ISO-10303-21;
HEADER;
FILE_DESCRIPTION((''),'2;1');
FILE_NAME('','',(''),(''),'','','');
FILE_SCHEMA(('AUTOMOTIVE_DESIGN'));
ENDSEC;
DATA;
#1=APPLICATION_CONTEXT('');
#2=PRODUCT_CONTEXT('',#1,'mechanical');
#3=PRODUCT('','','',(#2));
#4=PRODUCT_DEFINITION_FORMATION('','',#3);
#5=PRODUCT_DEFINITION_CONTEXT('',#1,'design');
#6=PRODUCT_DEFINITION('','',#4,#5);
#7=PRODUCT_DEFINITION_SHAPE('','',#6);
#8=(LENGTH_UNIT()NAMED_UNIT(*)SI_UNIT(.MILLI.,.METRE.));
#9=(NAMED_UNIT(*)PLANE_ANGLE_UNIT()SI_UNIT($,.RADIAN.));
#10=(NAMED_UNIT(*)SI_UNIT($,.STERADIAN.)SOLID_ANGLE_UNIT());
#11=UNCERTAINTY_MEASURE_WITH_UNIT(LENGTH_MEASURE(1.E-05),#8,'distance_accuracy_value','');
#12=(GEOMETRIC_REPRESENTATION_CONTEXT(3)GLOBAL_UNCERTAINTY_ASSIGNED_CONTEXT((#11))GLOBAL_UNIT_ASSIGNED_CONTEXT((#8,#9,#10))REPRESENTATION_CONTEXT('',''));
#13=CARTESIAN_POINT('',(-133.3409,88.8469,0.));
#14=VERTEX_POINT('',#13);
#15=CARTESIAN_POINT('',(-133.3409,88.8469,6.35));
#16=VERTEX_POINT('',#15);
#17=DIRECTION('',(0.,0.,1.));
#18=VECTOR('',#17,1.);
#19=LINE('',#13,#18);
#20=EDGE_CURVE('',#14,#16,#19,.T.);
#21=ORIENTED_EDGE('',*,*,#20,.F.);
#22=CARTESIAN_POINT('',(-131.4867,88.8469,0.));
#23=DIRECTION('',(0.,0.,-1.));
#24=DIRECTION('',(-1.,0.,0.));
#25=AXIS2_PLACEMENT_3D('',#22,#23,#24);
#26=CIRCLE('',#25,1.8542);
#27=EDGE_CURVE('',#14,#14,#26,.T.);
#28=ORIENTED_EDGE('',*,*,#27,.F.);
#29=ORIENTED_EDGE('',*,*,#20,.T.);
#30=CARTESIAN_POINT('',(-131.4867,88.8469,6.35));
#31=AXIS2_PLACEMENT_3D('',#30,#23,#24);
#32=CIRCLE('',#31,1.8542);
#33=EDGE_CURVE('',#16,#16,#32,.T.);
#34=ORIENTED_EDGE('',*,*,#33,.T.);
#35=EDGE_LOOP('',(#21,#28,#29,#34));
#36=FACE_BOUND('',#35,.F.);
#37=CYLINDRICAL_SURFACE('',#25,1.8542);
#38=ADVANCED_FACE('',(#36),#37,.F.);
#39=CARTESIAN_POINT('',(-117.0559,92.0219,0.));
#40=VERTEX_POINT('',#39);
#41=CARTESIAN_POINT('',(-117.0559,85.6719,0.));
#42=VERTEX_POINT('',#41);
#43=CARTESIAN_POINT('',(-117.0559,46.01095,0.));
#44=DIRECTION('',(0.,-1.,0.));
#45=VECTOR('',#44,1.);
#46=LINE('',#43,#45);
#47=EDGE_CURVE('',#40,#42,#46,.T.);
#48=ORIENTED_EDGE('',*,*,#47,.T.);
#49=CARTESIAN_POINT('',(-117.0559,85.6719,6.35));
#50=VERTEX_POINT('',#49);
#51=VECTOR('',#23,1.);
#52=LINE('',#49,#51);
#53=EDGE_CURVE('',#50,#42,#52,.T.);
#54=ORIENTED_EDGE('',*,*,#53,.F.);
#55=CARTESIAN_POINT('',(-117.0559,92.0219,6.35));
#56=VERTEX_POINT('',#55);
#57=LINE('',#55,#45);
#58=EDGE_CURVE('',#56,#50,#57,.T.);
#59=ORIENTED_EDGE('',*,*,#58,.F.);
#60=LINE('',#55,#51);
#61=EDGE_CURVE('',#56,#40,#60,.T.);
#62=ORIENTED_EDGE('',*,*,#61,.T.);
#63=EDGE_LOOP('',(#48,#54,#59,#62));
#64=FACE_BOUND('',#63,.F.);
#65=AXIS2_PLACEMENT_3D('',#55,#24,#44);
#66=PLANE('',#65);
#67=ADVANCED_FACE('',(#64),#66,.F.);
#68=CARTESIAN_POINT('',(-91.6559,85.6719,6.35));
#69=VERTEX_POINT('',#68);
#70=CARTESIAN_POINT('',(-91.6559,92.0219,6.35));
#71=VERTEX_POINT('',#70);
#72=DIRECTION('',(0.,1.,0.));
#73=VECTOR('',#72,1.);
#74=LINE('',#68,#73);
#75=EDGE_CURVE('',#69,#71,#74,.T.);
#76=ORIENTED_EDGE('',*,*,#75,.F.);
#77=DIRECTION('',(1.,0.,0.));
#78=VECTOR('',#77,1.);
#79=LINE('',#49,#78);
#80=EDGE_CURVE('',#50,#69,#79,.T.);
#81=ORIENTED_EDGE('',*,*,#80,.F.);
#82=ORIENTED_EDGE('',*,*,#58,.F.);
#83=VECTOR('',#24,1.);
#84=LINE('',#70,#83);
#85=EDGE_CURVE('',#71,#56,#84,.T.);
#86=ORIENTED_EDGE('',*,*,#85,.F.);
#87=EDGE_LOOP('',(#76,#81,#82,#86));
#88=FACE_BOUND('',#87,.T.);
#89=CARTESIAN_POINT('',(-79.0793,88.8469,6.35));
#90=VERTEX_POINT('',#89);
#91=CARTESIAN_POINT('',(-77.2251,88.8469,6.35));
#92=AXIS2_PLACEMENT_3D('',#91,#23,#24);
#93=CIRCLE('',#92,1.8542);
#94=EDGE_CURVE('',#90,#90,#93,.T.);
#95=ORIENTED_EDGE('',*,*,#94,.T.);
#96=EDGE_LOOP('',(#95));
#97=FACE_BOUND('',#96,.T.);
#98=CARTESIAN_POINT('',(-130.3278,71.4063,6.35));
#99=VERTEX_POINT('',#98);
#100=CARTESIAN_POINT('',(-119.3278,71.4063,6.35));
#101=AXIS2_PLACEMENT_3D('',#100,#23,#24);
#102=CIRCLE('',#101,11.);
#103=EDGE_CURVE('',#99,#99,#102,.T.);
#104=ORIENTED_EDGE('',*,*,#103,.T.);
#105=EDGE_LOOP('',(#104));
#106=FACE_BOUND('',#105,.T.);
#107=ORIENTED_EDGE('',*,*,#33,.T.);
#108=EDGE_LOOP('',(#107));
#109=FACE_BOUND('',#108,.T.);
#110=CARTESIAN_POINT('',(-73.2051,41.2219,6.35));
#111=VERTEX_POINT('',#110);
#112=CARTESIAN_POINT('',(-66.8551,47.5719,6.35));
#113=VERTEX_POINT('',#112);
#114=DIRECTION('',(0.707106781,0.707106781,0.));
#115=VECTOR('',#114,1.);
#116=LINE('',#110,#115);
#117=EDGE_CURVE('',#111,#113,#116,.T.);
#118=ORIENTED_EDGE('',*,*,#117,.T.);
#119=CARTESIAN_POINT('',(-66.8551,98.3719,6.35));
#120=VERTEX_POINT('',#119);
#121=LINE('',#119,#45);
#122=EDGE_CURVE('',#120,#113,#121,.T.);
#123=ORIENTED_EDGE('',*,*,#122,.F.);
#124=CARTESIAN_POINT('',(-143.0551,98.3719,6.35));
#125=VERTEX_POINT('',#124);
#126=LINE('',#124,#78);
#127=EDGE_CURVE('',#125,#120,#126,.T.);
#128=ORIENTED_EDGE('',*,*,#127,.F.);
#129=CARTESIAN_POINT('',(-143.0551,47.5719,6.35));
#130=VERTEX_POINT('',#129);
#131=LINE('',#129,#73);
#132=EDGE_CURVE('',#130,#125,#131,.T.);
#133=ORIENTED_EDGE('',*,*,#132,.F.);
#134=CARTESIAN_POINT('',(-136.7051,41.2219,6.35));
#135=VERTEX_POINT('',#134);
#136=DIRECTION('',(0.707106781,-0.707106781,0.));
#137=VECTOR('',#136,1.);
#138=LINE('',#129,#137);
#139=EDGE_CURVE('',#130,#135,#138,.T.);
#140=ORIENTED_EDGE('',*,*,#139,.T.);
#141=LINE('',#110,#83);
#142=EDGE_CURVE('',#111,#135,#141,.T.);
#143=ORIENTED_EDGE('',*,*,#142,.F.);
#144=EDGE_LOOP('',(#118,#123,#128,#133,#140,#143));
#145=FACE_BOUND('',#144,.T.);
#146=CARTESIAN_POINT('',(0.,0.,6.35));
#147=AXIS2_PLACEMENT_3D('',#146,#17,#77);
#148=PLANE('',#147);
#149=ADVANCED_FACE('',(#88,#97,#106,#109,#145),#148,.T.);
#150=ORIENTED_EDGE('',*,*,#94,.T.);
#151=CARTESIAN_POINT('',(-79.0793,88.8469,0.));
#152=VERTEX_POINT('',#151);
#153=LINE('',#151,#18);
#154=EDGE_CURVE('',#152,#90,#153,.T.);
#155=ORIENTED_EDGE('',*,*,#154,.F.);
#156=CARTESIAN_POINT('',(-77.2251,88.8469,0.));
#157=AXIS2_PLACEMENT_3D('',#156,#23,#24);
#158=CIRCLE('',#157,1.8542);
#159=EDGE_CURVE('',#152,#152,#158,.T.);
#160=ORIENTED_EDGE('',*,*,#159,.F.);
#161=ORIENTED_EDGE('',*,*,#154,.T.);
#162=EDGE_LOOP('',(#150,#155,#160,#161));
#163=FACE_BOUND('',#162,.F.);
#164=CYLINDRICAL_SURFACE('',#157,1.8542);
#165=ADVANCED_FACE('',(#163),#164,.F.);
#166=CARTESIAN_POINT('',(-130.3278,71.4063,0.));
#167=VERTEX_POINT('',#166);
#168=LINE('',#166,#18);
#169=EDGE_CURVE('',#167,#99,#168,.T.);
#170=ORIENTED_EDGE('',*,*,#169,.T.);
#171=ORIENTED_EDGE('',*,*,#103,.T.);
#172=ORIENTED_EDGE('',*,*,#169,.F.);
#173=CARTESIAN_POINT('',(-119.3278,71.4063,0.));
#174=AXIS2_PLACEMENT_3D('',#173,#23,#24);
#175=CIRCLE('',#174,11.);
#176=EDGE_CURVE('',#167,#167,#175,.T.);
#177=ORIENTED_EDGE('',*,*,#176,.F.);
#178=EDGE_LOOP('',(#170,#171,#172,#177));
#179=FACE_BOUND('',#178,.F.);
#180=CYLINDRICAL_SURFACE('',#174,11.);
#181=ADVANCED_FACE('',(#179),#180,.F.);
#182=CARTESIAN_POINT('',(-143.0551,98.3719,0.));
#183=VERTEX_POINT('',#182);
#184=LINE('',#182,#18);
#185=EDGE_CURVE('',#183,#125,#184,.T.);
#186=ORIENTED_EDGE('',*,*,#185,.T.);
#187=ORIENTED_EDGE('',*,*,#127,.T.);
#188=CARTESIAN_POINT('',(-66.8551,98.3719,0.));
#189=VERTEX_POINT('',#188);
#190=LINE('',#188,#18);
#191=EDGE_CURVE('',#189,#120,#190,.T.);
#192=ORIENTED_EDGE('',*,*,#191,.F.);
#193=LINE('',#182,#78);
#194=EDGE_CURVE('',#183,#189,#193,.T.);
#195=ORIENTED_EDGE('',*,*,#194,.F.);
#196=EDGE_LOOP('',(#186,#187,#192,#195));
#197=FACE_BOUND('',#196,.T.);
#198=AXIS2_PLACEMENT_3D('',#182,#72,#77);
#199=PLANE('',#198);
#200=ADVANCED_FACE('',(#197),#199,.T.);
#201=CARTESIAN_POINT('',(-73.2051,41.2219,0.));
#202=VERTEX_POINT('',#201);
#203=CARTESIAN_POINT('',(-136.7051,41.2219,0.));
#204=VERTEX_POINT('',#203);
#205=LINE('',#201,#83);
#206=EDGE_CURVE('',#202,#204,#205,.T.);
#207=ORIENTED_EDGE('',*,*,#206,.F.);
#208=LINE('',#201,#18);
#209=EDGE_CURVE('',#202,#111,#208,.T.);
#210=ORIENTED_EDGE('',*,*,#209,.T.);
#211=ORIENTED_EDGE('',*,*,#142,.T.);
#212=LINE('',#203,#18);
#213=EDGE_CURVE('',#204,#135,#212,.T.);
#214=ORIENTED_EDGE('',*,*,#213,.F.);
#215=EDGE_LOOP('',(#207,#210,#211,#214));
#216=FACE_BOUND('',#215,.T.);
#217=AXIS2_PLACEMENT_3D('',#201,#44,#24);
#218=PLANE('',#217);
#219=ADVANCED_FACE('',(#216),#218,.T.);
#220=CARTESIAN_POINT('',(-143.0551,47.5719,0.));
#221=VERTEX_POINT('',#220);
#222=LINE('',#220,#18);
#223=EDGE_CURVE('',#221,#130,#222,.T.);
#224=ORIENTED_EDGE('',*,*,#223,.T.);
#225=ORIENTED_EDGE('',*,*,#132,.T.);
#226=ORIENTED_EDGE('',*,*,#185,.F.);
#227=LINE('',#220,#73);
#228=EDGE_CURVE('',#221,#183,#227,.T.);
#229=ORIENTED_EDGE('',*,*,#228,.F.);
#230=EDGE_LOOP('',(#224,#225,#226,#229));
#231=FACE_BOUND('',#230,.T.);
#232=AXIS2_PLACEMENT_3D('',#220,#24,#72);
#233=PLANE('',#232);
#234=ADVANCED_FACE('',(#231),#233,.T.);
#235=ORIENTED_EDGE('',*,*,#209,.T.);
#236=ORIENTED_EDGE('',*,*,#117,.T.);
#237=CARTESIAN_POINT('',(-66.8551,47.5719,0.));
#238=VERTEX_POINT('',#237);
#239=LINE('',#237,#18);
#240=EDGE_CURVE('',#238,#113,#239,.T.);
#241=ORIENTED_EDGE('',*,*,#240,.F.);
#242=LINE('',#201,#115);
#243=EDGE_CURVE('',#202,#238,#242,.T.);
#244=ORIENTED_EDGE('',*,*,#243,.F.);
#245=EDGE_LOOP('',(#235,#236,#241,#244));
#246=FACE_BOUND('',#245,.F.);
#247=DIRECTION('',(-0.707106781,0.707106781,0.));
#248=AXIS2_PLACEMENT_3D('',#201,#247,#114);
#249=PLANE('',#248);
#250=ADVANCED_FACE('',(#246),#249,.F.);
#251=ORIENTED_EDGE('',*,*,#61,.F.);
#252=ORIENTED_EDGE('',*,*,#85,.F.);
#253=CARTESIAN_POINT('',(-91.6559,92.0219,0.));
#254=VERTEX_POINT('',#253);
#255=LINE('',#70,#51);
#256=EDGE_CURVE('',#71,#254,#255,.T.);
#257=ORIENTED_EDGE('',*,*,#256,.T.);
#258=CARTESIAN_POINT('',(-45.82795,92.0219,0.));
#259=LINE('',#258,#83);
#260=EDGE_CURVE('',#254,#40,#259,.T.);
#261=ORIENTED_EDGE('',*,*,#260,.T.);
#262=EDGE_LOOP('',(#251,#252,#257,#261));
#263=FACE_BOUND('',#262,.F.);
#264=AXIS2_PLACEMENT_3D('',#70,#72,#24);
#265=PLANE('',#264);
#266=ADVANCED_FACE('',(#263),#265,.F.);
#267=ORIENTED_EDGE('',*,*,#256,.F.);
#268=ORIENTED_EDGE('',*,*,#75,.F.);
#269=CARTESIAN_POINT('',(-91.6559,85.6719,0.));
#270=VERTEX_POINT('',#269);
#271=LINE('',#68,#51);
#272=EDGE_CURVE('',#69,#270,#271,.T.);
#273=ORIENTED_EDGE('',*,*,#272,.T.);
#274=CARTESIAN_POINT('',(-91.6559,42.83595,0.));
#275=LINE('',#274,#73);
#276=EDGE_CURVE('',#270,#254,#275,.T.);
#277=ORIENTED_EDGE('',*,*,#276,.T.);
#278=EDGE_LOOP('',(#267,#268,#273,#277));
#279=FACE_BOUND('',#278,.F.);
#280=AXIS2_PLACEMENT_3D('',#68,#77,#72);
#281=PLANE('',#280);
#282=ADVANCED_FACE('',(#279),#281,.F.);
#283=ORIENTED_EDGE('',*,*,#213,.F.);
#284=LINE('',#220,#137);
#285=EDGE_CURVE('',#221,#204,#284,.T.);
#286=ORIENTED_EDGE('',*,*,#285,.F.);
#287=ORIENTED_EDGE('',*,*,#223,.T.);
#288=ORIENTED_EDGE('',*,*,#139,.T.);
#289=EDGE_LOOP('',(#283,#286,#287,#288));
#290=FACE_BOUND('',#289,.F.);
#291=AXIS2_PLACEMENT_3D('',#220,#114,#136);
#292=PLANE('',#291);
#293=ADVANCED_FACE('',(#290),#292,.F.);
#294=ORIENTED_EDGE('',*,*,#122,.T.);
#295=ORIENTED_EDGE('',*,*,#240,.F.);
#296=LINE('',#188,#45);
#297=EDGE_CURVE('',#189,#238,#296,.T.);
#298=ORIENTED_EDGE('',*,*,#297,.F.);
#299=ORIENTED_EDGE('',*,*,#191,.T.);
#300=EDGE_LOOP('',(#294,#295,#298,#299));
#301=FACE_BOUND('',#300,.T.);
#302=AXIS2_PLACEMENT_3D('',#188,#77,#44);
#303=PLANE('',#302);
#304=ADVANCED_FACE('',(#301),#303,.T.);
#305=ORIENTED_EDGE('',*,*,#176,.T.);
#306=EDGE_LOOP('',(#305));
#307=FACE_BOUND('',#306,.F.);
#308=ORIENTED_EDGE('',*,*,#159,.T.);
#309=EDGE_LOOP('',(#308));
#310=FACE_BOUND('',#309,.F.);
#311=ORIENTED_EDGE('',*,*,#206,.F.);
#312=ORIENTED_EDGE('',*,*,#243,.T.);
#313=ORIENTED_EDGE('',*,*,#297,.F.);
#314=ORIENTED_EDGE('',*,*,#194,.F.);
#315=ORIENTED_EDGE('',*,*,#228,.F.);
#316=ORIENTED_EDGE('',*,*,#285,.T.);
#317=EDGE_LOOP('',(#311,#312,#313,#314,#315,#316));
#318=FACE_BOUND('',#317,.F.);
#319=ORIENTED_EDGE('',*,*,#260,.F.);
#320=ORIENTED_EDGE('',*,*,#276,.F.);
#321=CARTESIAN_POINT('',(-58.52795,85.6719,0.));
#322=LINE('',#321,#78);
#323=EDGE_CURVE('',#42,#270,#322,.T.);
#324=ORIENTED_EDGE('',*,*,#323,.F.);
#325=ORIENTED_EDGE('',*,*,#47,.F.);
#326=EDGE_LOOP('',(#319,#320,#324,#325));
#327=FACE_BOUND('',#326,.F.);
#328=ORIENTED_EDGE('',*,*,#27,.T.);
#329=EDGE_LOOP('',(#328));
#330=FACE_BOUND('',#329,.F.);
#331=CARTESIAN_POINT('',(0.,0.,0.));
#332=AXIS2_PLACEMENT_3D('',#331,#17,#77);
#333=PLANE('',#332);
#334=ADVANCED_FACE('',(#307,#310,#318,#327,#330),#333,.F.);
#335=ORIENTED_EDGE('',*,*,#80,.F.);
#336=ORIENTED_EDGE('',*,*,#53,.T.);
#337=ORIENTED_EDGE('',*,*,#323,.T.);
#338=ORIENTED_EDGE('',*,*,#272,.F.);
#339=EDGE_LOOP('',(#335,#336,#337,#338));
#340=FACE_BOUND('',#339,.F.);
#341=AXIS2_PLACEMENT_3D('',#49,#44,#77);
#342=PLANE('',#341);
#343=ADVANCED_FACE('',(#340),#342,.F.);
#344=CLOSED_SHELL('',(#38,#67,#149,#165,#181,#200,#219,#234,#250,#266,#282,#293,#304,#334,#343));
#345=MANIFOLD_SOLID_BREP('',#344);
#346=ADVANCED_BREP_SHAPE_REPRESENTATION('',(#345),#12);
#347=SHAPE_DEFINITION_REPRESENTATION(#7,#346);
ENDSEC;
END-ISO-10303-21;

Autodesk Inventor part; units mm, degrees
ref_plane "YZ Plane" through (0, 0, 0) normal (1, 0, 0) x (0, 1, 0)
ref_plane "XZ Plane" through (0, 0, 0) normal (0, 1, 0) x (-1, 0, 0)
ref_plane "XY Plane" through (0, 0, 0) normal (0, 0, 1) x (1, 0, 0)
sketch "Sketch1" plane through (0, 0, 0) normal (0, 0, 1) x (1, 0, 0)
  line L0 (-73.2051, 41.2219) -> (-136.7051, 41.2219)
  line L1 (-143.0551, 47.5719) -> (-143.0551, 98.3719)
  line L2 (-143.0551, 98.3719) -> (-66.8551, 98.3719)
  line L3 (-66.8551, 98.3719) -> (-66.8551, 47.5719)
  line L4 (-143.0551, 47.5719) -> (-136.7051, 41.2219)
  line L5 (-73.2051, 41.2219) -> (-66.8551, 47.5719)
  point P0 (0, 0)
  point P1 (-66.8551, 41.2219)
  point P2 (-143.0551, 41.2219)
  point P3 (-117.6551, 41.2219)
  point P4 (-143.0551, 66.6219)
  point P5 (-66.8551, 72.9719)
  point P6 (-92.2551, 41.2219)
  point P7 (-143.0551, 41.2219)
  point P8 (-66.8551, 41.2219)
  dimension "d0" = 76.2
  dimension "d1" = 57.15
  dimension "d10" = 6.35
  dimension "d11" = 6.35
  dimension "d12" = 6.35
extrude "Extrusion1" add sketch "Sketch1" along normal blind 6.35
sketch "Sketch2" plane through (0, 0, 6.35) normal (0, 0, 1) x (1, 0, 0)
  line L0 (-130.3551, 77.0986) -> (-130.3551, 56.1453)
  line L1 (-130.3551, 66.6219) -> (-98.3601, 66.6219) construction
  arc A0 (-120.0565, 65.1716) -> (-124.5928, 66.6219) centre (-122.0928, 66.6219) ccw
  line L2 (-124.5928, 66.6219) -> (-120.0565, 65.1716) projected
  point P0 (0, 0)
  dimension "d4" = 5
extrude "Extrusion2" [suppressed]
sketch "Sketch3" plane through (0, 0, 0) normal (0, 0, -1) x (-1, 0, 0)
  arc A0 (124.5928, 66.6219) -> (120.0565, 65.1716) centre (122.0928, 66.6219) ccw projected
  line L0 (124.5928, 66.6219) -> (120.0565, 65.1716) projected
  circle A1 centre (122.0928, 66.6219) radius 11
  point P0 (0, 0)
extrude "Extrusion3" [suppressed]
sketch "Sketch4" plane through (0, 0, 0) normal (0, 0, -1) x (-1, 0, 0)
  line L0 (143.0551, 92.0219) -> (133.3409, 92.0219) construction
  line L1 (143.0551, 85.6719) -> (133.3409, 85.6719) construction
  line L2 (143.0551, 85.6719) -> (143.0551, 98.3719) construction
  line L3 (35.1051, 88.8469) -> (143.0551, 88.8469) construction
  circle A0 centre (77.2251, 88.8469) radius 1.8542
  circle A1 centre (131.4867, 88.8469) radius 1.8542
  line L4 (133.3409, 92.0219) -> (133.3409, 85.6719) projected
  point P0 (0, 0)
  dimension "d15" = 3.7084
  dimension "d16" = 3.7084
extrude "Extrusion4" cut sketch "Sketch4" against normal through all
sketch "Sketch5" plane through (0, 0, 0) normal (0, 0, -1) x (-1, 0, 0)
  circle A0 centre (122.6066, 75.5662) radius 1.5875 projected
  circle A1 centre (131.037, 66.1081) radius 1.5875 projected
  circle A2 centre (121.5789, 57.6777) radius 1.5875 projected
  circle A3 centre (113.1485, 67.1358) radius 1.5875 projected
  point P0 (0, 0)
extrude "Extrusion5" [suppressed]
sketch "Sketch6" plane through (0, 0, 0) normal (0, 0, -1) x (-1, 0, 0)
  circle A0 centre (119.3278, 71.4063) radius 11 projected
  point P0 (0, 0)
extrude "Extrusion6" cut sketch "Sketch6" against normal through all
sketch "Sketch7" plane through (0, 0, 6.35) normal (0, 0, 1) x (1, 0, 0)
  line L0 (-91.6559, 92.0219) -> (-117.0559, 92.0219) projected
  line L1 (-117.0559, 85.6719) -> (-91.6559, 85.6719) projected
  line L2 (-91.6559, 85.6719) -> (-91.6559, 92.0219) projected
  line L3 (-117.0559, 92.0219) -> (-117.0559, 85.6719) projected
  point P0 (0, 0)
extrude "Extrusion7" cut sketch "Sketch7" against normal through all
equation "\"d10\" = d9"
equation "\"d12\" = d11"
equation "\"d9\" = 6.35"
properties part number "projectorMountOppositeSide_RB01" material "Wood (Oak)"
